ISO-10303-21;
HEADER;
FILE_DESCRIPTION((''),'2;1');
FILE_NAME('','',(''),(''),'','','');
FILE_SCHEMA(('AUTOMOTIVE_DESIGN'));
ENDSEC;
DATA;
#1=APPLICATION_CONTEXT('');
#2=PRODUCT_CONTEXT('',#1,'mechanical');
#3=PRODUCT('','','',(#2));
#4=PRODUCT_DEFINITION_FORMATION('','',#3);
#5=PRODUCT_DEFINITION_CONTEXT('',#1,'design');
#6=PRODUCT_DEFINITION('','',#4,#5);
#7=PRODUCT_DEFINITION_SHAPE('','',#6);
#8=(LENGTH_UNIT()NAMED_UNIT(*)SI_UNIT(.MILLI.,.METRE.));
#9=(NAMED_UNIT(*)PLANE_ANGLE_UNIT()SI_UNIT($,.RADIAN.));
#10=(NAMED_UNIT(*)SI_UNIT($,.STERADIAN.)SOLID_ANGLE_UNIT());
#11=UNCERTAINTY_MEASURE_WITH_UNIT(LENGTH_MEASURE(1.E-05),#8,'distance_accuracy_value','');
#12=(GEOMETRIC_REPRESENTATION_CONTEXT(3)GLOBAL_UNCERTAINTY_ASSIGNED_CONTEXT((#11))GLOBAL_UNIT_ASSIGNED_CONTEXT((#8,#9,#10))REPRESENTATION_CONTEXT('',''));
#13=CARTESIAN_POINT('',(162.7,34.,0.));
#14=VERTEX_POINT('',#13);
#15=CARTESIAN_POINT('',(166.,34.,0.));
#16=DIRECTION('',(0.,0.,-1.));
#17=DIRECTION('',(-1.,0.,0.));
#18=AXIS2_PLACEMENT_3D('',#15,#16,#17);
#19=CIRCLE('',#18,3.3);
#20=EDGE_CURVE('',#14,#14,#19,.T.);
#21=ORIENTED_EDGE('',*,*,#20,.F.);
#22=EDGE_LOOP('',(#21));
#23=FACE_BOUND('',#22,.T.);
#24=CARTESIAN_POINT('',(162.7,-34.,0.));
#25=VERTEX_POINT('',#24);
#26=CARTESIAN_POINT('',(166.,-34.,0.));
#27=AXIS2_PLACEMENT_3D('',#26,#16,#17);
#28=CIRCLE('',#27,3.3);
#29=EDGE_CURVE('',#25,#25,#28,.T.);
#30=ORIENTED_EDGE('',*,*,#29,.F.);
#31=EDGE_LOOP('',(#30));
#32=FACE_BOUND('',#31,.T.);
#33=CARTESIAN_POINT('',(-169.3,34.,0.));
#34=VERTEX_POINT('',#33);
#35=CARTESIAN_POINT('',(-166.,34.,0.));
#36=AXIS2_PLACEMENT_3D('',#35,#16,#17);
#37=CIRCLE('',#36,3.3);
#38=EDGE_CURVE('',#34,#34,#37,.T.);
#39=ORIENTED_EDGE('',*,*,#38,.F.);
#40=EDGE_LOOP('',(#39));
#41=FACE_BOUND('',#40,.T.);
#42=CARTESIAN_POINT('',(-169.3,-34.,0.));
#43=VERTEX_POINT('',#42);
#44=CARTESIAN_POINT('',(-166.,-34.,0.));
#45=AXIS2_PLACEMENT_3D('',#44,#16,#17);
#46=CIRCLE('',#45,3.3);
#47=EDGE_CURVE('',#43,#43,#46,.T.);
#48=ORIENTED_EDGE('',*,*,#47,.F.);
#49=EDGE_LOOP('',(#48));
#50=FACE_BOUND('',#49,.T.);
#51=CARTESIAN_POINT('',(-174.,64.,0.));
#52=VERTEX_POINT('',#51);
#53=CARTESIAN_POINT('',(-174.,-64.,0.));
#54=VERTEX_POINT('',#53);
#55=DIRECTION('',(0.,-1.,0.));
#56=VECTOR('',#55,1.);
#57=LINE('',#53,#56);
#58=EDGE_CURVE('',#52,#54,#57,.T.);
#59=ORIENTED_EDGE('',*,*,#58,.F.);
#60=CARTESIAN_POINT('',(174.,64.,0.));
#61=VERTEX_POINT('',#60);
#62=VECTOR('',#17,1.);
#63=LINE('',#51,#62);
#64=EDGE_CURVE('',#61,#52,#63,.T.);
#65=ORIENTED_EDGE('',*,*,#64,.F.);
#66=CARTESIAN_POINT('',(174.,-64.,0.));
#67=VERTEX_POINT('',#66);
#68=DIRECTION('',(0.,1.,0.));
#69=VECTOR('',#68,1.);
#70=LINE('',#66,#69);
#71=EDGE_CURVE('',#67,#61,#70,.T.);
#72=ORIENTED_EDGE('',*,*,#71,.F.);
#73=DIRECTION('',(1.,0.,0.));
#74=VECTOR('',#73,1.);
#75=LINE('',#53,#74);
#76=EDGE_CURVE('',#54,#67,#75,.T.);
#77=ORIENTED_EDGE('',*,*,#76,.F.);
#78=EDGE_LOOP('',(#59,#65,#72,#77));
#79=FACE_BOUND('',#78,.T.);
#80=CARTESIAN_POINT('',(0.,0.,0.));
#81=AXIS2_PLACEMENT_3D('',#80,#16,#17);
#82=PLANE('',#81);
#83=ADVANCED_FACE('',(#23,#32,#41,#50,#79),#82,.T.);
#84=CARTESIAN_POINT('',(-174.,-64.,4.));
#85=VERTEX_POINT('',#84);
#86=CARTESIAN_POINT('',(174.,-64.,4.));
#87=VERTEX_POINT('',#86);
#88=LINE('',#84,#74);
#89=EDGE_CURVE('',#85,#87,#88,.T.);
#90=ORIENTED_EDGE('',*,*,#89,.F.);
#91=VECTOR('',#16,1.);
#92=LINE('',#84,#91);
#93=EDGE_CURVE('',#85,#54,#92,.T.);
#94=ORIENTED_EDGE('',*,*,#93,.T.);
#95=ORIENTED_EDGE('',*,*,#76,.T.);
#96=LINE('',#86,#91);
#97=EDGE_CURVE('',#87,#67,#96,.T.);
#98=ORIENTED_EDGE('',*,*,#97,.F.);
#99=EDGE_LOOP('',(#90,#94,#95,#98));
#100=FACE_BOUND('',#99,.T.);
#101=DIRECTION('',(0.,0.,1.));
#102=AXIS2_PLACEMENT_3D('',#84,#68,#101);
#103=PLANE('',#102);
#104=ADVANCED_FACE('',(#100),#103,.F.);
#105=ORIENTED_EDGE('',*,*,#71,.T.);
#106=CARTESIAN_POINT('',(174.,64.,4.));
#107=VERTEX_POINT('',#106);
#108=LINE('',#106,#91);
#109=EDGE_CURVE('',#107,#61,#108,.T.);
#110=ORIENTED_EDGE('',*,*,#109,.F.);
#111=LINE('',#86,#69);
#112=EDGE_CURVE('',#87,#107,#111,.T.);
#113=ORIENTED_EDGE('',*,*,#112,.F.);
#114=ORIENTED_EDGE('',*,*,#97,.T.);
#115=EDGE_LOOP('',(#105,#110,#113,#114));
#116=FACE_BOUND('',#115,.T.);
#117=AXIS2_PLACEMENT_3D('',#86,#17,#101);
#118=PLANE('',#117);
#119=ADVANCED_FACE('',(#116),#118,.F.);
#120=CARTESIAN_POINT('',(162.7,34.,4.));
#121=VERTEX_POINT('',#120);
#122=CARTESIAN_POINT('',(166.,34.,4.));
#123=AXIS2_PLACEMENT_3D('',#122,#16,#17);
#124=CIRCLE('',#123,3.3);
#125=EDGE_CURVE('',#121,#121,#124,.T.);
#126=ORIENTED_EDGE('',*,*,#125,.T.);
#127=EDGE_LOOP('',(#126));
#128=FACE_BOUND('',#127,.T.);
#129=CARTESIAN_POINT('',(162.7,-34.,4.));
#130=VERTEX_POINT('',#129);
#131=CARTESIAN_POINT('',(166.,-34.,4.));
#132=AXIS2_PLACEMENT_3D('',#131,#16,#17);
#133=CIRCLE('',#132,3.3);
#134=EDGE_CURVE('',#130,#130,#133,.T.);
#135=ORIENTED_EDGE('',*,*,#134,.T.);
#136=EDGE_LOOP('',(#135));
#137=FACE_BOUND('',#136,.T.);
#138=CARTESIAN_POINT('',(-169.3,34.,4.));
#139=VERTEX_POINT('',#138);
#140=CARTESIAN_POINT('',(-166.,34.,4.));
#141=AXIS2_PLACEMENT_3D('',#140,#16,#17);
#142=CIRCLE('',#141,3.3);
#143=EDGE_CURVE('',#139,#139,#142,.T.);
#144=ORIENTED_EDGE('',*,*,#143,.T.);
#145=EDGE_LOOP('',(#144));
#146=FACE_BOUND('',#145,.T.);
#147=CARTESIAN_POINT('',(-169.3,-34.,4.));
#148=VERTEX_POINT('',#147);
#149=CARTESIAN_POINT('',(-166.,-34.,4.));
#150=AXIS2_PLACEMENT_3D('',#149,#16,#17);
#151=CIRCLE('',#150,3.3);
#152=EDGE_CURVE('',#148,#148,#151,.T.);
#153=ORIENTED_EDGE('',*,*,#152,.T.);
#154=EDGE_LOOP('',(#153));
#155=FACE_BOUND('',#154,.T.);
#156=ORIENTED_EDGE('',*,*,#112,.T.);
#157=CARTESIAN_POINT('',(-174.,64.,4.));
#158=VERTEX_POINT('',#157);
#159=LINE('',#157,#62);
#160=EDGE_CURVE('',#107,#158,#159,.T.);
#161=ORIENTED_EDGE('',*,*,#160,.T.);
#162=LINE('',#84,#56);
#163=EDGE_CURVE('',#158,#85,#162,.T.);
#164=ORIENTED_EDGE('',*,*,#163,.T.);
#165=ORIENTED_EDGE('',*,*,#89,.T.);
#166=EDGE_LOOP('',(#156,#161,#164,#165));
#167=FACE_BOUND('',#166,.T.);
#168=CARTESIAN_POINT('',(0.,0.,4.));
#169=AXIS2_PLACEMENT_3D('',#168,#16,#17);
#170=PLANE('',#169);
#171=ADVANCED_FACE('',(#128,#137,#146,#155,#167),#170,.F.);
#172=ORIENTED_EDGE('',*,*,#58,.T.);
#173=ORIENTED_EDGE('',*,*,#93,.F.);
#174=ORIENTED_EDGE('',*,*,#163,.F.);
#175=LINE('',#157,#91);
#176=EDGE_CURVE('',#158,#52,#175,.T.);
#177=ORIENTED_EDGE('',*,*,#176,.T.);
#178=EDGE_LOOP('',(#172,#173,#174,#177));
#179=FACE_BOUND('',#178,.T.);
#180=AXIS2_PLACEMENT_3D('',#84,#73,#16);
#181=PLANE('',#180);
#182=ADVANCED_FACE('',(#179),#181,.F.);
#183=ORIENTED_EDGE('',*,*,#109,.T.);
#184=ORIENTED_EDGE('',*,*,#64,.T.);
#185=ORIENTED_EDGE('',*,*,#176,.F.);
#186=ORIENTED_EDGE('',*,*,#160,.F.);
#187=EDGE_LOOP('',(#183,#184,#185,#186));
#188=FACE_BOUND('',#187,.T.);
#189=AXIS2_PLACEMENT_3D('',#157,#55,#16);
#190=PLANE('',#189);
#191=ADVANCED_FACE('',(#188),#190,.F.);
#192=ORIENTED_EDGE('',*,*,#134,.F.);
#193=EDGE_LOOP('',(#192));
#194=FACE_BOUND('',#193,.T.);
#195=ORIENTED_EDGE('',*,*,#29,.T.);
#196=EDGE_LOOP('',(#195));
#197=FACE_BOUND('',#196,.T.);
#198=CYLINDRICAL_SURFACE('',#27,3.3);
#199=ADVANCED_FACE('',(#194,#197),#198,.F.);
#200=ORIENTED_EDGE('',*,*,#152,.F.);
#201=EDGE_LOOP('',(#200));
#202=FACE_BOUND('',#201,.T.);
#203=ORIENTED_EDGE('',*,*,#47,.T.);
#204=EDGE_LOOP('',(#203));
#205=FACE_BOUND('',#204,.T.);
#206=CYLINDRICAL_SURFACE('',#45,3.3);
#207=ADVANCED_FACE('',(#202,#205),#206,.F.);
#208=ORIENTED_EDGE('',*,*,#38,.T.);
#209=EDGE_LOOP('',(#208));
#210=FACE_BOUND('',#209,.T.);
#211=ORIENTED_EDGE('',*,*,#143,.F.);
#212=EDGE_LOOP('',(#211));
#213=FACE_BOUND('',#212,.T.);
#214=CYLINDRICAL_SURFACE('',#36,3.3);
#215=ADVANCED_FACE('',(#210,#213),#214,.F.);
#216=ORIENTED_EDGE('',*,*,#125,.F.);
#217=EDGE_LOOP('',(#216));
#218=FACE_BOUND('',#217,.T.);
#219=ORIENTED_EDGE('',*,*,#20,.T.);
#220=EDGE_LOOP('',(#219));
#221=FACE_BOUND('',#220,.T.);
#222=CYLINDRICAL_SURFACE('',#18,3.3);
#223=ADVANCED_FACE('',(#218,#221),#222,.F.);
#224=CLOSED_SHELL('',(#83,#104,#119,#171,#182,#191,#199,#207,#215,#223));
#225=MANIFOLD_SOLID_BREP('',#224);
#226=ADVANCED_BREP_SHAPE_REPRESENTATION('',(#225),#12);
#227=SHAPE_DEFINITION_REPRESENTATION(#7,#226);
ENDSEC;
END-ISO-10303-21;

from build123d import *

# Parameters (mm, degrees)
ESQUISSE1_W        = 348
ESQUISSE1_H        = 128
BOSS_EXTRU_1_DEPTH = 4
D_GAGEMENT_M61_D   = 6.6


with BuildPart() as part:
    # Esquisse1 → Boss.-Extru.1 (new body)
    with BuildSketch(Plane.XY):
        Rectangle(ESQUISSE1_W, ESQUISSE1_H)
    extrude(amount=BOSS_EXTRU_1_DEPTH)

    # Dégagement M61 (through all)
    with Locations(Plane(origin=(0, 0, 0), x_dir=(-1, 0, 0), z_dir=(0, 0, -1))):
        with Locations((166, 34), (-166, 34), (166, -34), (-166, -34)):
            Hole(D_GAGEMENT_M61_D / 2)


solid = part.part
